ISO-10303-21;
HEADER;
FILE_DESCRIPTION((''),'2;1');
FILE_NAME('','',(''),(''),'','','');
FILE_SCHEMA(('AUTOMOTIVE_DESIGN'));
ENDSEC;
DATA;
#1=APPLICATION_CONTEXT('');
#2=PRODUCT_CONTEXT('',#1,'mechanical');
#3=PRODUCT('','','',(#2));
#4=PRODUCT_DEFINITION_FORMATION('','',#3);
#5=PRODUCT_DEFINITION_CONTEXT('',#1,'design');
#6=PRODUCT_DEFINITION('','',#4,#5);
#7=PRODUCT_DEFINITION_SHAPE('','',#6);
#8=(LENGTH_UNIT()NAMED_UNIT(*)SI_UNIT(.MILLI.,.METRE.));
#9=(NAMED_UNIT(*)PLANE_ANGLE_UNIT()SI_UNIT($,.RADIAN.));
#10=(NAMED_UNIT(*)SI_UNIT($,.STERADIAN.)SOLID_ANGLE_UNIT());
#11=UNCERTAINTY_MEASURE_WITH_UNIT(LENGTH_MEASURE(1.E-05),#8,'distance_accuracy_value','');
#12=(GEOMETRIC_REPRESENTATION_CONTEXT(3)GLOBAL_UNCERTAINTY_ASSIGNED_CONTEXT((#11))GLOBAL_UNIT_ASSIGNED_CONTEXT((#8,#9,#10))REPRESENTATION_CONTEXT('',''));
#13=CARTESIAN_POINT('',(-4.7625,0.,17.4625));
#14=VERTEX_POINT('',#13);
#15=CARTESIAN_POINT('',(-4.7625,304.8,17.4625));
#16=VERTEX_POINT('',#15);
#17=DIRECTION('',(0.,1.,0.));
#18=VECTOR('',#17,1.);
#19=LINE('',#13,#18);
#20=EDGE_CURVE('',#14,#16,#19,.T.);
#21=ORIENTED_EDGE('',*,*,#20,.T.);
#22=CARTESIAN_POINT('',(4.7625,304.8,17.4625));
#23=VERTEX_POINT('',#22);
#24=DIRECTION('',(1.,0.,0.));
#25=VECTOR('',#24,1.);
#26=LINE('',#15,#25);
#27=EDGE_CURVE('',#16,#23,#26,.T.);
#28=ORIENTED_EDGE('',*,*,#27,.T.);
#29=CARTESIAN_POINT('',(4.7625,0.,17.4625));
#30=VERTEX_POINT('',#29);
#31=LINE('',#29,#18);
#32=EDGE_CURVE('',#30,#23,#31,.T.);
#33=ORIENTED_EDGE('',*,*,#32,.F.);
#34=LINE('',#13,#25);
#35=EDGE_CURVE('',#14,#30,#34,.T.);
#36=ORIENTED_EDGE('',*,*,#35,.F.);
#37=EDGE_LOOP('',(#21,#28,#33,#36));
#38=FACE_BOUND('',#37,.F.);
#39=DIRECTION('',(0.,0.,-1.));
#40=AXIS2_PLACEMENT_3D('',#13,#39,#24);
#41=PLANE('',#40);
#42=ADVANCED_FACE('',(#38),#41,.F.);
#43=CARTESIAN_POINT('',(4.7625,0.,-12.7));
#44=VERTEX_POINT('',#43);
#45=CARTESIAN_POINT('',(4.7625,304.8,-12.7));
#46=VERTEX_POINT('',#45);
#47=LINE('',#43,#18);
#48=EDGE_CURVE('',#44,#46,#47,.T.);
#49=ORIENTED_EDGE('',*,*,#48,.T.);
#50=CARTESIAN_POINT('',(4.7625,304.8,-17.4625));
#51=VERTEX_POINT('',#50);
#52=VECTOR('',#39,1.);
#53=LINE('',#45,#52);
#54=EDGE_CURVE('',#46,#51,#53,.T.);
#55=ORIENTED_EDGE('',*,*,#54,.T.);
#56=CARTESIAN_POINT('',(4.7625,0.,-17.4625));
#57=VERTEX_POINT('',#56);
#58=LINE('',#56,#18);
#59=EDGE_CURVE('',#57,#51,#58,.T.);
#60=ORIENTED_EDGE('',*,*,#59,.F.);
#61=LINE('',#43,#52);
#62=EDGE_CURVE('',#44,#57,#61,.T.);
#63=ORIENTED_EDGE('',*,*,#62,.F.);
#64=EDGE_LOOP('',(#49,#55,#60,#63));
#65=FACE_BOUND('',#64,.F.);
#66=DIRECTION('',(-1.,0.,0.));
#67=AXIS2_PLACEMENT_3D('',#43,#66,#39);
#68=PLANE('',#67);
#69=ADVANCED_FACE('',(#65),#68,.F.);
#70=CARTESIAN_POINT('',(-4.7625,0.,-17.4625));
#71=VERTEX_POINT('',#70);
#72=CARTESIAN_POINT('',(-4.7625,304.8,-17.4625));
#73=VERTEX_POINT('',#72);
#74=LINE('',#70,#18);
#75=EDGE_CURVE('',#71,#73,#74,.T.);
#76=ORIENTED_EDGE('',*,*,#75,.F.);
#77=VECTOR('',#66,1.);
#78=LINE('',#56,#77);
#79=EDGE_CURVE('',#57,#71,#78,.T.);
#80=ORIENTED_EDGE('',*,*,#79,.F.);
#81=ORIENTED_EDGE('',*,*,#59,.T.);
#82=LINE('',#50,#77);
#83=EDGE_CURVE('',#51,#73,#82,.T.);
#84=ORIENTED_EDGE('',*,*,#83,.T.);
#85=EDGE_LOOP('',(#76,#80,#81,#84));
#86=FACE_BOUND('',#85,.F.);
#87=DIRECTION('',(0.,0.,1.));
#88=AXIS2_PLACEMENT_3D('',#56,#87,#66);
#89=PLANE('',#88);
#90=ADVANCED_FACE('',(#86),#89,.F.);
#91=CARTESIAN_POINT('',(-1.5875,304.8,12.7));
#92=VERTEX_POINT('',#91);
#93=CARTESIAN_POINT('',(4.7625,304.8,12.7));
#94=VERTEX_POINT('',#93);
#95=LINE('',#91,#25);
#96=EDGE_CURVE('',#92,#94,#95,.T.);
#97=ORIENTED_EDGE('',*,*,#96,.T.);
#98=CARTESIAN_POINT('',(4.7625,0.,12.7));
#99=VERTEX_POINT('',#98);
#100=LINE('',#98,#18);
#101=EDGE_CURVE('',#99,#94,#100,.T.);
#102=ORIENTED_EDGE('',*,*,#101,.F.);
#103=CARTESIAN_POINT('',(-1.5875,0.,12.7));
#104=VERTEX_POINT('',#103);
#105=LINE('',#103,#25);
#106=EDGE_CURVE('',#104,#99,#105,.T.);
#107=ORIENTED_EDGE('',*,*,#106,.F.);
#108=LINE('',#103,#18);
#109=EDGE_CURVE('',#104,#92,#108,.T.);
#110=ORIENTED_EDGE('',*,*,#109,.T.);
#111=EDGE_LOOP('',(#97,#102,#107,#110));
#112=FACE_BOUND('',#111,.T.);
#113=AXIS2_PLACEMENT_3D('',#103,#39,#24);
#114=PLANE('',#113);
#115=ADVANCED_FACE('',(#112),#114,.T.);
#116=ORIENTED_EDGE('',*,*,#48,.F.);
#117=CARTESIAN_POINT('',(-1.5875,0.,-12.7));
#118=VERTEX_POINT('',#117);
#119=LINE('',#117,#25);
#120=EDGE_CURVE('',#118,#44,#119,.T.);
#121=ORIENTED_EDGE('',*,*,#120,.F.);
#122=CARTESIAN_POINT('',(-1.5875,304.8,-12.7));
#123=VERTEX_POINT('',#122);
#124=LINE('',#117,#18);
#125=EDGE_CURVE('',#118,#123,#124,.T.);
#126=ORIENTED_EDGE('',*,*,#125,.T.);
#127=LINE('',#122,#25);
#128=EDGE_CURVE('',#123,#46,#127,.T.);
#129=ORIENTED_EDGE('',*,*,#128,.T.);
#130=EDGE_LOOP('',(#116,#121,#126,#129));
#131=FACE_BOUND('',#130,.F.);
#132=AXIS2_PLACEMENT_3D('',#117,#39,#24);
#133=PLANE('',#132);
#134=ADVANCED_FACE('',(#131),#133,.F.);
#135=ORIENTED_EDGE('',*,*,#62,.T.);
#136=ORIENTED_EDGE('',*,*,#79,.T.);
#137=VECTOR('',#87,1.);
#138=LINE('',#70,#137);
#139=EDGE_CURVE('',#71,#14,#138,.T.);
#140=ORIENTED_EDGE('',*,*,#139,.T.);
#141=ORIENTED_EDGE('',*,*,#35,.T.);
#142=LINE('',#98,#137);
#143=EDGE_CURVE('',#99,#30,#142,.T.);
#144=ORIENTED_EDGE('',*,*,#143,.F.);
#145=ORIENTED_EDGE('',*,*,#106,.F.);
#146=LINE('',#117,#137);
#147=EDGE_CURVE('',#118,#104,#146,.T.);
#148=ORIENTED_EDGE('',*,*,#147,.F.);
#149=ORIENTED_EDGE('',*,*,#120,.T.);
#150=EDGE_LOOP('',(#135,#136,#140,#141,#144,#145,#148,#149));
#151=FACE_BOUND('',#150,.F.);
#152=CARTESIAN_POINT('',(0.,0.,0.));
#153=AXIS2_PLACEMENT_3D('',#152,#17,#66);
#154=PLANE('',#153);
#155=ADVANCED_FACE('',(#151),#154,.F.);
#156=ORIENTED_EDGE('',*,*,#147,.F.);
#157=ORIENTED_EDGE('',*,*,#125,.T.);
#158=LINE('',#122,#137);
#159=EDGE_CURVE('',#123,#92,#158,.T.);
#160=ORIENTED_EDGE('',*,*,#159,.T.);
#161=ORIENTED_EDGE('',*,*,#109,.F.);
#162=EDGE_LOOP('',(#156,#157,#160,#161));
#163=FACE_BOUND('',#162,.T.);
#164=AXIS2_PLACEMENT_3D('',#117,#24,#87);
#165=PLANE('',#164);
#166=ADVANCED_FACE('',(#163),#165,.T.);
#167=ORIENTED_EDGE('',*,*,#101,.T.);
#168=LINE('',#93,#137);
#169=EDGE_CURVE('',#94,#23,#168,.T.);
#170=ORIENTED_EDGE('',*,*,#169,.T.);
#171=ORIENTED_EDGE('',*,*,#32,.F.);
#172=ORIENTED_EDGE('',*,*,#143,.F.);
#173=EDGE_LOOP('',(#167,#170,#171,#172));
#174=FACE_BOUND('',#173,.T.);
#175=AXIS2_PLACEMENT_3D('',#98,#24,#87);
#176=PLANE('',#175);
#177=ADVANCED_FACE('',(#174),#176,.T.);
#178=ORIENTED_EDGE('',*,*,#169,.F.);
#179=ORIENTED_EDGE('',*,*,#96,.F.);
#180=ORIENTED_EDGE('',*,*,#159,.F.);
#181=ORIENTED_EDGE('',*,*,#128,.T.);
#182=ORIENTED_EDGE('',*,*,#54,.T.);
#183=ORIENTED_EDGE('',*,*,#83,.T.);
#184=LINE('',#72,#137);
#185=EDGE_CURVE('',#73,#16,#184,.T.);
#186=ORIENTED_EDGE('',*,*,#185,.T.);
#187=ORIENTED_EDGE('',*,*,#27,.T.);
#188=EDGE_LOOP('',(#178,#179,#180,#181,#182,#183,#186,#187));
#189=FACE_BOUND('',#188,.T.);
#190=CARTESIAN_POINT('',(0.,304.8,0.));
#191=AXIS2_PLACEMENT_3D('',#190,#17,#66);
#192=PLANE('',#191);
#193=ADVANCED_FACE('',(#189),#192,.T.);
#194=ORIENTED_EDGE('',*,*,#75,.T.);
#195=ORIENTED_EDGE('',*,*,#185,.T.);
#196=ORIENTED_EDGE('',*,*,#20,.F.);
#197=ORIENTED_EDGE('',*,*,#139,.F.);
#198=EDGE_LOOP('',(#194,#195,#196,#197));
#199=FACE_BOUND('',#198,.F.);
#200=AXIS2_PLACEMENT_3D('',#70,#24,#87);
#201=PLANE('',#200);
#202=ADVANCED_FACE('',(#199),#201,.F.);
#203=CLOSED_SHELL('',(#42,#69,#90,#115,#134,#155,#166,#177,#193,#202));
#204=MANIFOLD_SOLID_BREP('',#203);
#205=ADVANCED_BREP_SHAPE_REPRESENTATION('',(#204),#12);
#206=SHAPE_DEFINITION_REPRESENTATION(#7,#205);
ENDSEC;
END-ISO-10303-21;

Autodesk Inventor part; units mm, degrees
ref_plane "YZ Plane" through (0, 0, 0) normal (1, 0, 0) x (0, 1, 0)
ref_plane "XZ Plane" through (0, 0, 0) normal (0, 1, 0) x (-1, 0, 0)
ref_plane "XY Plane" through (0, 0, 0) normal (0, 0, 1) x (1, 0, 0)
sketch "Sketch1" plane through (0, 0, 0) normal (0, 1, 0) x (-1, 0, 0)
  line L0 (-4.7625, -17.4625) -> (4.7625, -17.4625)
  line L1 (4.7625, -17.4625) -> (4.7625, 17.4625)
  line L2 (4.7625, 17.4625) -> (-4.7625, 17.4625)
  line L3 (-4.7625, -17.4625) -> (4.7625, 17.4625) construction
  line L4 (4.7625, -17.4625) -> (-4.7625, 17.4625) construction
  line L5 (1.5875, -12.7) -> (1.5875, 12.7)
  line L6 (1.5875, 12.7) -> (-11.1125, -12.7) construction
  line L7 (-11.1125, 12.7) -> (1.5875, -12.7) construction
  line L8 (1.5875, 12.7) -> (-4.7625, 12.7)
  line L9 (1.5875, -12.7) -> (-4.7625, -12.7)
  line L10 (-4.7625, 12.7) -> (-4.7625, 17.4625)
  line L11 (-4.7625, -12.7) -> (-4.7625, -17.4625)
  point P0 (0, 0)
  point P1 (-4.7625, 0)
  dimension "d0" = 9.525
  dimension "d1" = 34.925
  dimension "d2" = 12.7
  dimension "d3" = 25.4
extrude "Extrusion1" add sketch "Sketch1" along normal blind 304.8
properties part number "14in-slide-pt_2" material "Aluminum 6061"
